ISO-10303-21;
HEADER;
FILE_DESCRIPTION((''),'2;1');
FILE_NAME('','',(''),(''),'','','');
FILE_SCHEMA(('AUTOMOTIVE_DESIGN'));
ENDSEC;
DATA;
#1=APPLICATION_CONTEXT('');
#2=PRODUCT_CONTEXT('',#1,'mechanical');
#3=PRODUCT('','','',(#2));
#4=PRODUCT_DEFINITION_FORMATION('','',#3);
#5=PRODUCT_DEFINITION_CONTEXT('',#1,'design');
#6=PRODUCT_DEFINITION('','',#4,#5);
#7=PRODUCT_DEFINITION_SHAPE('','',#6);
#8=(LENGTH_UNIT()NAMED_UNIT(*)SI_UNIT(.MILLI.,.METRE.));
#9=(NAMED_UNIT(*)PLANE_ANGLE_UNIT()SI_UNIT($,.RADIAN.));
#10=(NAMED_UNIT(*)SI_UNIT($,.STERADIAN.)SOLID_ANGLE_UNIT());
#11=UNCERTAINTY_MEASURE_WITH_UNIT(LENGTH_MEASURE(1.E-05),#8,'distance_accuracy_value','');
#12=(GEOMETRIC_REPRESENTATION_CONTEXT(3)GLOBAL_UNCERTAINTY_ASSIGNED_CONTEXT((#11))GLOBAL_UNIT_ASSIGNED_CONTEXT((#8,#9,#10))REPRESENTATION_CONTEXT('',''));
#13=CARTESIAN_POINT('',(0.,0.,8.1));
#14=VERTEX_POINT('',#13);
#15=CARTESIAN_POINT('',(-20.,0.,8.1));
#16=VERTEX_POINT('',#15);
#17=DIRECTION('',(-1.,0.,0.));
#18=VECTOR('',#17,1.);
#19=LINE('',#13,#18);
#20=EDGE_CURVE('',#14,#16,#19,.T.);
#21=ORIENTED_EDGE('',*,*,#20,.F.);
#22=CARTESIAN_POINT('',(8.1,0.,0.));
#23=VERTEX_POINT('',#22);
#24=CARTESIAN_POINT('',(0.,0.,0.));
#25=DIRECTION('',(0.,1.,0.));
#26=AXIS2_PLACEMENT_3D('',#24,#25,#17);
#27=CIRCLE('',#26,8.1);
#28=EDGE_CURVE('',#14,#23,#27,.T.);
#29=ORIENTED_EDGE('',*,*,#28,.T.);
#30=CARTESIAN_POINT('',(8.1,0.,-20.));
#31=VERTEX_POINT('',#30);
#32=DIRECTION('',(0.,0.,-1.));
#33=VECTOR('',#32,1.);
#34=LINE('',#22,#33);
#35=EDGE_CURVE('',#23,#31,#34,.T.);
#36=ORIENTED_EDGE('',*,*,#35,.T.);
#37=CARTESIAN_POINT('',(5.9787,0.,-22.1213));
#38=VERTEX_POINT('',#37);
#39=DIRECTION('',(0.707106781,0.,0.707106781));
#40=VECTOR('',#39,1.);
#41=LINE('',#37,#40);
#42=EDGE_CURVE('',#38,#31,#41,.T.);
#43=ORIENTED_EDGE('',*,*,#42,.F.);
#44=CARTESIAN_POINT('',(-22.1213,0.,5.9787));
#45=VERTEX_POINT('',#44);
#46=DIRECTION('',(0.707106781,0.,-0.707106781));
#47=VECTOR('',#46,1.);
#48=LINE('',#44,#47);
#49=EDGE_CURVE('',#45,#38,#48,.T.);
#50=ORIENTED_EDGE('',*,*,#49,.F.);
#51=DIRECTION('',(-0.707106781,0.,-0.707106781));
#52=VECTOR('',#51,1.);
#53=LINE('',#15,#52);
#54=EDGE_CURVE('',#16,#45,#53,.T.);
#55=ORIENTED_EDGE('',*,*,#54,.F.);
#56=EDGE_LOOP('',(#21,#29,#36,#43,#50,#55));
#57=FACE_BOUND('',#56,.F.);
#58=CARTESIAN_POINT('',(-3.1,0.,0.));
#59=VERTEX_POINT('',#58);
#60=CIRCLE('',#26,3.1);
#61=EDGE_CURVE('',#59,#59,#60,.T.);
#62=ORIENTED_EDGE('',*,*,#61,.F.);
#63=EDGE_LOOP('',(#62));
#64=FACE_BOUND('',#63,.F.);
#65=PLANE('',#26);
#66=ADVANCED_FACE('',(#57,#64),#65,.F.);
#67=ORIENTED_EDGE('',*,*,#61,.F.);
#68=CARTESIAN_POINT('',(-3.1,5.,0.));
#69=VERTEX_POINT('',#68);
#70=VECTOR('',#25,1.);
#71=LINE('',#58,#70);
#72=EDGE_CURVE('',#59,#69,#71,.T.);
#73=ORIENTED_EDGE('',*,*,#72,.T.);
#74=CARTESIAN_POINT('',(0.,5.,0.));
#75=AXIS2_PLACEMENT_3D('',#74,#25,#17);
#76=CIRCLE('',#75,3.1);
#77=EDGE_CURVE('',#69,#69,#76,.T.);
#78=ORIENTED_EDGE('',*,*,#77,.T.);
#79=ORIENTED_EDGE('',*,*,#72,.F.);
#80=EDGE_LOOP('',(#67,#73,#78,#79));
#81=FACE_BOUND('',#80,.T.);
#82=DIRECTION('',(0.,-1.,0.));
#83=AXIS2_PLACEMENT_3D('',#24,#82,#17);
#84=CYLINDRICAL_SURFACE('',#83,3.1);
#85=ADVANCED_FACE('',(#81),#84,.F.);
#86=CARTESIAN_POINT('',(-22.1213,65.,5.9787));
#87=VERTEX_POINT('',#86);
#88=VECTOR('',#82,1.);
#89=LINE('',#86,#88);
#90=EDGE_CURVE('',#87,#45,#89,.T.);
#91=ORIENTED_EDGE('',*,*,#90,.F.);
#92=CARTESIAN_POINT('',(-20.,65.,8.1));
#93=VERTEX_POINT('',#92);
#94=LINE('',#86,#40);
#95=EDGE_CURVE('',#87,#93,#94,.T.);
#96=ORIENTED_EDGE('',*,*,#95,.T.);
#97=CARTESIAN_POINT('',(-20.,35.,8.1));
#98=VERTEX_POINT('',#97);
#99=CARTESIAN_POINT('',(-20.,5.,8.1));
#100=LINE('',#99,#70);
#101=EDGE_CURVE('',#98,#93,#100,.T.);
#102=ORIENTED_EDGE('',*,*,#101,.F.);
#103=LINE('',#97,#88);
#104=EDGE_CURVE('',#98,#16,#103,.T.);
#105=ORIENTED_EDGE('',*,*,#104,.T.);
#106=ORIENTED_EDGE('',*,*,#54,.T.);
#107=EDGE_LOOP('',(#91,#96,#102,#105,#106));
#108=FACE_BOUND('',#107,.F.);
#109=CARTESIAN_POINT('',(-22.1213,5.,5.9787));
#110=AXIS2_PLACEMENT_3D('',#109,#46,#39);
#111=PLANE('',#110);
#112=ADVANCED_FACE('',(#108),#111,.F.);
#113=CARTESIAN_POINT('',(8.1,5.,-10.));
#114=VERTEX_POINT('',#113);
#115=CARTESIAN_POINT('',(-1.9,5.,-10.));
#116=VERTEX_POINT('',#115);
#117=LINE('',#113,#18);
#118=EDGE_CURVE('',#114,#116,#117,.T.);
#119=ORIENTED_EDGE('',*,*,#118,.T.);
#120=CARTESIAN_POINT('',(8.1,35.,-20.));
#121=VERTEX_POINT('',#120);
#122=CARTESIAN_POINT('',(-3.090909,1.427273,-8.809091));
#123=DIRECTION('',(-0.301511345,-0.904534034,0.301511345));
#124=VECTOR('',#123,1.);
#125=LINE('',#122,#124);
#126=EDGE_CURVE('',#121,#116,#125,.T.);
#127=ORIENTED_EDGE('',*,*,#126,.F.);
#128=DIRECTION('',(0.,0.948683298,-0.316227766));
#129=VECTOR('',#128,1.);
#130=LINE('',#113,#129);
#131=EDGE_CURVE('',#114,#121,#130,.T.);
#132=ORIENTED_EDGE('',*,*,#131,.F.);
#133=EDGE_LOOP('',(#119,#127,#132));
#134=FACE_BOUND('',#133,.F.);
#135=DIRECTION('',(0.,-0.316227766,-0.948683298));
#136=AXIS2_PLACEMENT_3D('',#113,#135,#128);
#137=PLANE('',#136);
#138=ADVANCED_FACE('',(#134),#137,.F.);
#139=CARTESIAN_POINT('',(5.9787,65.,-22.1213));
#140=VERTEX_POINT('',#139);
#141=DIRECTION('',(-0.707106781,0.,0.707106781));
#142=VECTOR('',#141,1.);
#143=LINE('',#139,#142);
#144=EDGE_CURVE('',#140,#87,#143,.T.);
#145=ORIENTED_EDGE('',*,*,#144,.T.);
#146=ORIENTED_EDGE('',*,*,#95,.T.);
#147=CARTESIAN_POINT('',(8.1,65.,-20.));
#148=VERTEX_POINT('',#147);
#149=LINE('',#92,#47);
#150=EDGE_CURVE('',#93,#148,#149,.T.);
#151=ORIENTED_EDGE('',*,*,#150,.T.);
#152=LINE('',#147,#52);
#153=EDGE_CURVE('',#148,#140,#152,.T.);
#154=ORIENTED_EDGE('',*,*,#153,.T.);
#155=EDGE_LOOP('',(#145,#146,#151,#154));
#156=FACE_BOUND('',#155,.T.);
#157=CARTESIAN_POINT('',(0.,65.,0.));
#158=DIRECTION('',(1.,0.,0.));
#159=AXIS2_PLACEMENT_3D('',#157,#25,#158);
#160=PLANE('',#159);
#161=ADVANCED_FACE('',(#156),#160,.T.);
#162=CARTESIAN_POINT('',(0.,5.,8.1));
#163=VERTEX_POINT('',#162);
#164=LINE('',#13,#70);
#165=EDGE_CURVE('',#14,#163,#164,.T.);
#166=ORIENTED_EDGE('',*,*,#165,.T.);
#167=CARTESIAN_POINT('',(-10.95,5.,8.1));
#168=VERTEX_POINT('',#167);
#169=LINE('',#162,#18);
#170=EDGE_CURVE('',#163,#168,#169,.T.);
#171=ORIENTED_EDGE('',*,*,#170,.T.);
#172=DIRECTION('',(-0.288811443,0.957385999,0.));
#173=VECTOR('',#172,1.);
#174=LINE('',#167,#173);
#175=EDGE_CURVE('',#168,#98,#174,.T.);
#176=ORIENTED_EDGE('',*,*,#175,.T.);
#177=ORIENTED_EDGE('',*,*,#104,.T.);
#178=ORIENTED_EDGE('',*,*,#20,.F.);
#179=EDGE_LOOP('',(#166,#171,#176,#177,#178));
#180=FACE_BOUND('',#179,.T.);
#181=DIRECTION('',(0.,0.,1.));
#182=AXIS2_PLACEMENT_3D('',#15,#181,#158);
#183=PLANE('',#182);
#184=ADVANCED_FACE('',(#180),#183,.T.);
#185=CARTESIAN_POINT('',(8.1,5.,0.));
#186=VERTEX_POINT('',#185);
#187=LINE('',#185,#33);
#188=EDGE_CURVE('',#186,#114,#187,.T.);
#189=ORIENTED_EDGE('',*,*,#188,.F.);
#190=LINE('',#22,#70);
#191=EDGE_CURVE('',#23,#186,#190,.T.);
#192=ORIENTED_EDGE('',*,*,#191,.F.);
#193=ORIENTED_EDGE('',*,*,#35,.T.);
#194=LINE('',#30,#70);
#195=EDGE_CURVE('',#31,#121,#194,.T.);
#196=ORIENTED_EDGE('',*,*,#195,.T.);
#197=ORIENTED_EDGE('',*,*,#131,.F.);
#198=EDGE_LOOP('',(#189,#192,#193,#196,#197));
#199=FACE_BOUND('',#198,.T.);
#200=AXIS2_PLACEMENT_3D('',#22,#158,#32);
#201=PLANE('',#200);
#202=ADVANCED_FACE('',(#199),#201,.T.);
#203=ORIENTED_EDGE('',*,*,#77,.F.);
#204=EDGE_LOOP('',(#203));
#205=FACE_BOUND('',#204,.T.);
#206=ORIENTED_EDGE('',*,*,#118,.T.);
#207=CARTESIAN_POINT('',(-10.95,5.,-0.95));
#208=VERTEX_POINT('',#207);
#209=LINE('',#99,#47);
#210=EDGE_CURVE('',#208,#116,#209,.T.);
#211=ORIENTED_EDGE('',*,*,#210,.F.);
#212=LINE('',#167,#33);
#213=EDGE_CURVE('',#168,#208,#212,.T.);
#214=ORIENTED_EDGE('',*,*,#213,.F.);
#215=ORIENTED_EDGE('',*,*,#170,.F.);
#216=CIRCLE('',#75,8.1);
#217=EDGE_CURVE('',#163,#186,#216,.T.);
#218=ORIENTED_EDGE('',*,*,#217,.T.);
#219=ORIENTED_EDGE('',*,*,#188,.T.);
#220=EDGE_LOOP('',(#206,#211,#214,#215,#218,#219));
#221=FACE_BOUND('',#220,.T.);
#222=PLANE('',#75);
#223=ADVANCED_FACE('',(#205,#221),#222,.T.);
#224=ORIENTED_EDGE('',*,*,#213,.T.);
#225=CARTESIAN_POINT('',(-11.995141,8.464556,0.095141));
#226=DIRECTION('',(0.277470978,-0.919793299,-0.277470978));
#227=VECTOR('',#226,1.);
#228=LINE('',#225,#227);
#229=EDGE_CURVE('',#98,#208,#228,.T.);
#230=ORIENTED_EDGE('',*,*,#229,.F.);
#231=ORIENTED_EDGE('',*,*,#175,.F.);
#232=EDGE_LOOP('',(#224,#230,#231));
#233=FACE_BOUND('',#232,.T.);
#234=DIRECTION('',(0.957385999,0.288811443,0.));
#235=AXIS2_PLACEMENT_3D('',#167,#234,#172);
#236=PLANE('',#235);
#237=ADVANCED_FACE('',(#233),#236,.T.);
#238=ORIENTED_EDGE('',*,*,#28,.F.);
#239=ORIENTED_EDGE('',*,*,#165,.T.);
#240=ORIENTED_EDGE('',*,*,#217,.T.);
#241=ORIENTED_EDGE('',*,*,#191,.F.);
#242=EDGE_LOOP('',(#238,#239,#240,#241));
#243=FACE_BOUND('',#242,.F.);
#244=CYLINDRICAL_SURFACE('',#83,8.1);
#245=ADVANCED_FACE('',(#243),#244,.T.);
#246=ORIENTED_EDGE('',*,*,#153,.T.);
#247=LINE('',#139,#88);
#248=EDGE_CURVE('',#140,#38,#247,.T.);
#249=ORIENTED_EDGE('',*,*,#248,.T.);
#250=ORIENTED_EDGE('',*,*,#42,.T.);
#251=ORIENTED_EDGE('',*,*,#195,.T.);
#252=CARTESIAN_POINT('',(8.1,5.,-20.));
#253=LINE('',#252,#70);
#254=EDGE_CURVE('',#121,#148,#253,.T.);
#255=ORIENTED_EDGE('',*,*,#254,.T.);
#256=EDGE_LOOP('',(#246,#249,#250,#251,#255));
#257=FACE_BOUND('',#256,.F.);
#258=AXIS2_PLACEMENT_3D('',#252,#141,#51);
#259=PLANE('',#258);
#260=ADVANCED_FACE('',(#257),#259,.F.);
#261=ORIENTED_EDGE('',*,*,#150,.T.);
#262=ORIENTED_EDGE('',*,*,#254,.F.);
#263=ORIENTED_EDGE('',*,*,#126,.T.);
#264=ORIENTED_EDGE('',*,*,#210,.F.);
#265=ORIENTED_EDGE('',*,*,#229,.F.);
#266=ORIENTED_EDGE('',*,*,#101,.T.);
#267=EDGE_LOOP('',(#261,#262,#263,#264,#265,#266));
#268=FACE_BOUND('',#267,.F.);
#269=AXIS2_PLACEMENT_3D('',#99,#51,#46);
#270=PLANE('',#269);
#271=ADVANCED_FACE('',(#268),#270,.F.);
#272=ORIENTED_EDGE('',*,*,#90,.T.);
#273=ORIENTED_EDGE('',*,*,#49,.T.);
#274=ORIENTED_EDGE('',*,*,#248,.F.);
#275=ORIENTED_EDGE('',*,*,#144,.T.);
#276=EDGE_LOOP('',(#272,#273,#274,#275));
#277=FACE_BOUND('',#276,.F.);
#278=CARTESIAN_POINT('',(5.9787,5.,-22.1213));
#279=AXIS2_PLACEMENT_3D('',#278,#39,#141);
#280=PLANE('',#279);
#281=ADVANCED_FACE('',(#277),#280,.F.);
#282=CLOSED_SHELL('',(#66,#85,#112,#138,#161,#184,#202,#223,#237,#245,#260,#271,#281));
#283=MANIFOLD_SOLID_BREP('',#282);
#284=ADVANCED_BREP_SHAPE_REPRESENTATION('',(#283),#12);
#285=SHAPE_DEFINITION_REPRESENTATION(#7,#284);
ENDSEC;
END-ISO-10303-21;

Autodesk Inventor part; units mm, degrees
ref_plane "YZ Plane" through (0, 0, 0) normal (1, 0, 0) x (0, 1, 0)
ref_plane "XZ Plane" through (0, 0, 0) normal (0, 1, 0) x (-1, 0, 0)
ref_plane "XY Plane" through (0, 0, 0) normal (0, 0, 1) x (1, 0, 0)
sketch "스케치1" plane through (0, 0, 0) normal (0, 1, 0) x (-1, 0, 0)
  circle A0 centre (0, 0) radius 3.1
  circle A1 centre (0, 0) radius 8.1
  line L0 (-8.1, 0) -> (-8.1, -20)
  line L1 (0, 8.1) -> (20, 8.1)
  line L2 (20, 8.1) -> (-8.1, -20)
  line L3 (20, 8.1) -> (22.1213, 5.9787)
  line L4 (22.1213, 5.9787) -> (-5.9787, -22.1213)
  line L5 (-5.9787, -22.1213) -> (-8.1, -20)
  dimension "d0" = 6.2
  dimension "d1" = 5
  dimension "d2" = 20
  dimension "d3" = 20
  dimension "d4" = 3
extrude "돌출1" add sketch "스케치1" along normal blind 5
sketch "스케치2" plane through (0, 5, 0) normal (0, 1, 0) x (1, 0, 0)
  line L0 (-22.1213, -5.9787) -> (-20, -8.1) projected
  line L1 (-20, -8.1) -> (8.1, 20)
  line L2 (5.9787, 22.1213) -> (-22.1213, -5.9787) projected
  line L3 (8.1, 20) -> (5.9787, 22.1213)
  line L4 (5.9787, 22.1213) -> (-22.1213, -5.9787)
  line L5 (-22.1213, -5.9787) -> (-20, -8.1)
  point P0 (0, 0)
extrude "돌출2" add sketch "스케치2" along normal blind 60
sketch "스케치3" plane through (8.1, 0, 0) normal (1, 0, 0) x (0, 0, -1)
  line L0 (0, 5) -> (20, 5) projected
  line L1 (10, 5) -> (20, 35)
  line L2 (20, 5) -> (20, 65) projected
  line L3 (10, 5) -> (20, 5)
  line L4 (20, 5) -> (20, 35)
  point P0 (0, 0)
extrude "돌출3" add sketch "스케치3" against normal blind 10
sketch "스케치4" plane through (-20, 0, 8.1) normal (0, 0, 1) x (1, 0, 0)
  line L0 (18.1, 5) -> (0, 5) projected
  line L1 (9.05, 5) -> (0, 35)
  line L2 (0, 5) -> (0, 65) projected
  line L3 (9.05, 5) -> (0, 5)
  line L4 (0, 5) -> (0, 35)
  point P0 (20, 0)
extrude "돌출4" add sketch "스케치4" against normal blind 10
sketch "스케치5" plane through (-22.1213, 0, 5.9787) normal (-0.7071, 0, 0.7071) x (0.7071, 0, 0.7071)
  line L0 (3, 0) -> (0, 0) projected
  line L1 (0, 35) -> (-4.0711, 35) projected
  line L2 (0, 0) -> (-4.0711, 0)
  line L3 (-4.0711, 0) -> (-4.0711, 35)
  line L4 (-4.0711, 35) -> (0, 35)
  line L5 (0, 35) -> (0, 0)
  point P0 (11.4146, 0)
extrude "돌출5" cut sketch "스케치5" against normal through all
properties part number "motor_limit_2"
